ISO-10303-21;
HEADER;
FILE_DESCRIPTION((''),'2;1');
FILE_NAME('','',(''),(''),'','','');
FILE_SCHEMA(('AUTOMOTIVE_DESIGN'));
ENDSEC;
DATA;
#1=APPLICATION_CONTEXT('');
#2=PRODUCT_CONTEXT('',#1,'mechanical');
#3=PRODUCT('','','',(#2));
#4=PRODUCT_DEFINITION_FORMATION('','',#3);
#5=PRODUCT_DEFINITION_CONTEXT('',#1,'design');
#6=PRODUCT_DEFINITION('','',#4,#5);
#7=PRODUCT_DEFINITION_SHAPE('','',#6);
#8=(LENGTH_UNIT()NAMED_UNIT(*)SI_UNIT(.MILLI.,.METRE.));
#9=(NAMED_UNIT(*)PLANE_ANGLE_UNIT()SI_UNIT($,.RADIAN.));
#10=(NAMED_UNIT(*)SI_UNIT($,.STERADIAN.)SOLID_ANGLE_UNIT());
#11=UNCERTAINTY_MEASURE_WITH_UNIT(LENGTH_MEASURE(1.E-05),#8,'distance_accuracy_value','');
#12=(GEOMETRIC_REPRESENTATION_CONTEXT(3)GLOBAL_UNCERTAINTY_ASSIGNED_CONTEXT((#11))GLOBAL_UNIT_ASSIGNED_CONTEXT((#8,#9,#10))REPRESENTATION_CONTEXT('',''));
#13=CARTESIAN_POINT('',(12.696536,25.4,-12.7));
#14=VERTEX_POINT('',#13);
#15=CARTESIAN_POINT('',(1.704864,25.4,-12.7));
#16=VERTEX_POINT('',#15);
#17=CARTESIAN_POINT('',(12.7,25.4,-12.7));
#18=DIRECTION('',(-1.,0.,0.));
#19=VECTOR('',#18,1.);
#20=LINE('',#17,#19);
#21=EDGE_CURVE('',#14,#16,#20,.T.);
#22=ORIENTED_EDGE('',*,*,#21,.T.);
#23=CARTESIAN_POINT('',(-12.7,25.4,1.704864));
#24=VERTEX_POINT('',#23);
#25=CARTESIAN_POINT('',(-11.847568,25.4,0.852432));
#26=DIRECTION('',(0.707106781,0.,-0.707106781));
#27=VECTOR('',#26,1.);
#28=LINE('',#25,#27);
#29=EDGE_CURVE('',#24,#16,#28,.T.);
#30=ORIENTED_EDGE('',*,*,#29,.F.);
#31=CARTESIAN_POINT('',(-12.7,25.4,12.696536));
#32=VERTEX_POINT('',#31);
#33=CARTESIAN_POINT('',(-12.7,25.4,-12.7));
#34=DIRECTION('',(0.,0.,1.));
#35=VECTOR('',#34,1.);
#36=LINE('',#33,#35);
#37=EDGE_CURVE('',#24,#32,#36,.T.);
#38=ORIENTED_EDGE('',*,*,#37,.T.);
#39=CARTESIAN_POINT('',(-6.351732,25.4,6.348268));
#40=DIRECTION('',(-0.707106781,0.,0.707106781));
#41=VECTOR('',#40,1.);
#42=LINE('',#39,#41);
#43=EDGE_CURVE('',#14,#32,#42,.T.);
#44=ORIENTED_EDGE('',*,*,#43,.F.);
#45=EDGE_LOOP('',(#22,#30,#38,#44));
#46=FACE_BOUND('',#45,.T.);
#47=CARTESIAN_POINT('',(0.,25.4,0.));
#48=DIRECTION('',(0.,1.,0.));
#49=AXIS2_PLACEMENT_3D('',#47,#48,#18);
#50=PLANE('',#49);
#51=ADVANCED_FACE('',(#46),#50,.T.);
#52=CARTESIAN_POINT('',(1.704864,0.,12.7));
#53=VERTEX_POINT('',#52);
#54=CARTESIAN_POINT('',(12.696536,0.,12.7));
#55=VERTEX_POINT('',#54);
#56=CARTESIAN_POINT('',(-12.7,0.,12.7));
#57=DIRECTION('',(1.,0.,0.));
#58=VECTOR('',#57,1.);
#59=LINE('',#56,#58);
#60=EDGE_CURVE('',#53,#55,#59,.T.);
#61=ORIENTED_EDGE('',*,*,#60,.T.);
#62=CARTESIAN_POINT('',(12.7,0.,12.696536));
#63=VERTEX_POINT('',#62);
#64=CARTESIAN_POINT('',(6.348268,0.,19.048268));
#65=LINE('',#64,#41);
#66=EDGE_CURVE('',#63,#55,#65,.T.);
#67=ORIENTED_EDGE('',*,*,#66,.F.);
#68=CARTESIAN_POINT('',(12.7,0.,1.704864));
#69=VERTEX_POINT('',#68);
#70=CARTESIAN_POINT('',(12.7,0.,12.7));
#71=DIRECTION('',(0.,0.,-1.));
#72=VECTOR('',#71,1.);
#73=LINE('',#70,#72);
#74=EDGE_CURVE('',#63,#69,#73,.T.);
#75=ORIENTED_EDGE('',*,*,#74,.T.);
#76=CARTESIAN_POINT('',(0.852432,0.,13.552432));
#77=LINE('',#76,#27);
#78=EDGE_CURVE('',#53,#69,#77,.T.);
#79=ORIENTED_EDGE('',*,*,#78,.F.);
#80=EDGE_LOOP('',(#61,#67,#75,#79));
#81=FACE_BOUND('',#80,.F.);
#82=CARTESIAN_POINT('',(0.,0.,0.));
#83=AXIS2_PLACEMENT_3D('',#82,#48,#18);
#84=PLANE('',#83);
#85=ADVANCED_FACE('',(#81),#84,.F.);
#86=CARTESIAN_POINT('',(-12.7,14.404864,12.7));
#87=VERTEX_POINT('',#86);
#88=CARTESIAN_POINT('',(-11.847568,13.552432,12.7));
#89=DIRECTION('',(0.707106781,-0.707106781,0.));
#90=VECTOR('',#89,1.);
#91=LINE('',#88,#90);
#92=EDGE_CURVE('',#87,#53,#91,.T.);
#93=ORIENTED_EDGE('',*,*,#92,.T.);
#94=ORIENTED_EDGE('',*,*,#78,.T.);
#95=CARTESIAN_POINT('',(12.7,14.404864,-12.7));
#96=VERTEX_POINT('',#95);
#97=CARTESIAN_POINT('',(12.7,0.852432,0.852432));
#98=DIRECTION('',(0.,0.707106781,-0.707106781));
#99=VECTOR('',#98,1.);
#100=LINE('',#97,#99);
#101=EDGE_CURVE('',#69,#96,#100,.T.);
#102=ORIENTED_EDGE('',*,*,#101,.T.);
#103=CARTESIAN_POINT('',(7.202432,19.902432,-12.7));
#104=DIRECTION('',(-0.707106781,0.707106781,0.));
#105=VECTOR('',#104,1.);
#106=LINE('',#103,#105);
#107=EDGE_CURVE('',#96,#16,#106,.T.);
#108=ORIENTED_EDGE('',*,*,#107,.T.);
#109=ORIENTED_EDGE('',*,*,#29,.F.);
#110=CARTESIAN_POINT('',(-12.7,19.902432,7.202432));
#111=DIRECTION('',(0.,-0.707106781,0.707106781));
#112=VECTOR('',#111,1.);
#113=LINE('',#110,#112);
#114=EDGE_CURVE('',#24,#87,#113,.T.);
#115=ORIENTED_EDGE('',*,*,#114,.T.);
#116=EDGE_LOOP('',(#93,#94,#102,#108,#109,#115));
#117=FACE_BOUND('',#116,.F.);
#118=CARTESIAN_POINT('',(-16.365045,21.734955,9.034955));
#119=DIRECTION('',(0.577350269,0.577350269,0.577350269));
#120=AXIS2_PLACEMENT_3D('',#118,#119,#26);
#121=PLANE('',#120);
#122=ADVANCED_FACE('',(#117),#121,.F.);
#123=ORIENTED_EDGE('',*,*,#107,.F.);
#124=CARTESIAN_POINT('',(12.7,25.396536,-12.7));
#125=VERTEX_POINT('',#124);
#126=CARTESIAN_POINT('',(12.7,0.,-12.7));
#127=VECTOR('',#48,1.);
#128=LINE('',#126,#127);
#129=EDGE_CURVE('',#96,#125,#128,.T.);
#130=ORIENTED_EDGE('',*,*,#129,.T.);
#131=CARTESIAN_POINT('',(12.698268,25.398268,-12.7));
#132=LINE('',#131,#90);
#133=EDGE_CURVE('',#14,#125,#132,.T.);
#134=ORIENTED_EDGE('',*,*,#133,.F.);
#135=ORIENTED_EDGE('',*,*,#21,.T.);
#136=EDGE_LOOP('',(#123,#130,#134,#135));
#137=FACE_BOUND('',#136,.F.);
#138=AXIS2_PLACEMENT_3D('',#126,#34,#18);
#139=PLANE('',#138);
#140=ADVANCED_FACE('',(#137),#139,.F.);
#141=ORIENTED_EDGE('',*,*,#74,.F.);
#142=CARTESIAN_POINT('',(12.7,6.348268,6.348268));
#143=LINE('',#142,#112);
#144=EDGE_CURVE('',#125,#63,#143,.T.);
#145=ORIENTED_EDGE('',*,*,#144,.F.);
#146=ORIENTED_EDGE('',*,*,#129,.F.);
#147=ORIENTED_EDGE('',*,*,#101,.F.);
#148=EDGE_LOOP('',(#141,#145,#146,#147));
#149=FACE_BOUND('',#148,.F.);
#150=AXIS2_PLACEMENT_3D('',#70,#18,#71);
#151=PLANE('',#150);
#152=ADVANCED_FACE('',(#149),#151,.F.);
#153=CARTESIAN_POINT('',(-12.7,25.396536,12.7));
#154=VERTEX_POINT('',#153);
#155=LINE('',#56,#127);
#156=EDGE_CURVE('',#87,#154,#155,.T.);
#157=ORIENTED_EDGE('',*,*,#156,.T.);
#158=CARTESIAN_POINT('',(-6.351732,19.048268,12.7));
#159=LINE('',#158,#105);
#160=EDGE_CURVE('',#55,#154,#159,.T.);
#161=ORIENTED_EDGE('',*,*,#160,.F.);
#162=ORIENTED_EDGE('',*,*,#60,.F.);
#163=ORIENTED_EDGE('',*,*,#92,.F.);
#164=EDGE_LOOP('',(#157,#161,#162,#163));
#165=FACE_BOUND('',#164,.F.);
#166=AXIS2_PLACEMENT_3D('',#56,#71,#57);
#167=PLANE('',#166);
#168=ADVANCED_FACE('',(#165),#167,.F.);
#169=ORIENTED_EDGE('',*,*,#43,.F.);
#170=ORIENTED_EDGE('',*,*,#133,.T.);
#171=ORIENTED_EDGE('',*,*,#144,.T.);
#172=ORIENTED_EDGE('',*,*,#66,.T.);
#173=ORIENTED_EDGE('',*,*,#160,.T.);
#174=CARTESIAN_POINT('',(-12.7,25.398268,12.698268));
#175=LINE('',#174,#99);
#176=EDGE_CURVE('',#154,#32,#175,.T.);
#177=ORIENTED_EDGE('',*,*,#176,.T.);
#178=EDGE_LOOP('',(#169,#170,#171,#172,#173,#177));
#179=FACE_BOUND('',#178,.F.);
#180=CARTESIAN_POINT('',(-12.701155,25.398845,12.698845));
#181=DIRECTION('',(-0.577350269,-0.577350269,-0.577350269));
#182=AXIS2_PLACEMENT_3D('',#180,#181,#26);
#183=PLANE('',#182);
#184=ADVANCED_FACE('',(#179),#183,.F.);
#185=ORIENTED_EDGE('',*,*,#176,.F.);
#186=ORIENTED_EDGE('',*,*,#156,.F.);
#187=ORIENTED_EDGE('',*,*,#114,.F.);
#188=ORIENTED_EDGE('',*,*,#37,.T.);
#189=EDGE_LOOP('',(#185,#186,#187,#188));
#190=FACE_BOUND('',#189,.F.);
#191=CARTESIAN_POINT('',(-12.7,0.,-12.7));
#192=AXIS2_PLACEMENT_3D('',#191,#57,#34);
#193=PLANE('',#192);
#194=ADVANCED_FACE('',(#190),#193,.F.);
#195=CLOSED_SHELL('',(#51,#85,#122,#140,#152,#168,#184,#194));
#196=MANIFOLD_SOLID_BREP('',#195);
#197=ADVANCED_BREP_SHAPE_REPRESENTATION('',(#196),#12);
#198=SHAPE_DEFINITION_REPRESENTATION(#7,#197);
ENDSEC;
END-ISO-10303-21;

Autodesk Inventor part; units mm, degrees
ref_plane "YZ Plane" through (0, 0, 0) normal (1, 0, 0) x (0, 1, 0)
sketch "Sketch1" plane through (0, 0, 0) normal (0, 1, 0) x (-1, 0, 0)
  line L0 (12.7, 12.7) -> (-12.7, 12.7)
  line L1 (-12.7, 12.7) -> (-12.7, -12.7)
  line L2 (-12.7, -12.7) -> (12.7, -12.7)
  line L3 (12.7, -12.7) -> (12.7, 12.7)
  point P0 (0, 0)
  dimension "d0" = 12.7
  dimension "d1" = 25.4
  dimension "d2" = 25.4
  dimension "d3" = 12.7
extrude "Extrusion1" add sketch "Sketch1" along normal blind 25.4
ref_plane "Work Plane1" through (-12.7, 25.4, 12.7) normal (-0.5774, -0.5774, -0.5774) x (0.7071, 0, -0.7071)
sketch "Sketch2" plane through (-12.7, 25.4, 12.7) normal (-0.5774, -0.5774, -0.5774) x (0.7071, 0, -0.7071)
  line L0 (-1.8052, -5.2104) -> (39.1986, -5.2104)
  line L1 (39.1986, -5.2104) -> (39.1986, 33.6585)
  line L2 (39.1986, 33.6585) -> (-1.8052, 33.6585)
  line L3 (-1.8052, 33.6585) -> (-1.8052, -5.2104)
  point P0 (17.9605, 20.739)
extrude "Extrusion2" cut sketch "Sketch2" against normal blind 25.4
ref_plane "Work Plane2" through (12.7, 0, -12.7) normal (-0.5774, -0.5774, -0.5774) x (-0.7071, 0, 0.7071)
sketch "Sketch3" plane through (12.7, 0, -12.7) normal (-0.5774, -0.5774, -0.5774) x (-0.7071, 0, 0.7071)
  line L0 (-4.9386, 41.2898) -> (46.8411, 41.2898)
  line L1 (46.8411, 41.2898) -> (46.8411, -12.9896)
  line L2 (46.8411, -12.9896) -> (-4.9386, -12.9896)
  line L3 (-4.9386, -12.9896) -> (-4.9386, 41.2898)
  point P0 (17.9605, 0)
extrude "Extrusion3" cut sketch "Sketch3" along normal blind 25.4
ref_plane "Work Plane3" through (-16.3662, 21.7338, 9.0338) normal (0.5774, 0.5774, 0.5774) x (0.7071, 0, -0.7071)
sketch "Sketch4" plane through (-16.3662, 21.7338, 9.0338) normal (0.5774, 0.5774, 0.5774) x (0.7071, 0, -0.7071)
  line L0 (44.1276, 17.5061) -> (-11.0494, 17.5061)
  line L1 (-11.0494, 17.5061) -> (-11.0494, -38.1771)
  line L2 (-11.0494, -38.1771) -> (44.1276, -38.1771)
  line L3 (44.1276, -38.1771) -> (44.1276, 17.5061)
  point P0 (17.9605, -20.739)
extrude "Extrusion4" cut sketch "Sketch4" against normal blind 25.4
properties part number "jimscube"
